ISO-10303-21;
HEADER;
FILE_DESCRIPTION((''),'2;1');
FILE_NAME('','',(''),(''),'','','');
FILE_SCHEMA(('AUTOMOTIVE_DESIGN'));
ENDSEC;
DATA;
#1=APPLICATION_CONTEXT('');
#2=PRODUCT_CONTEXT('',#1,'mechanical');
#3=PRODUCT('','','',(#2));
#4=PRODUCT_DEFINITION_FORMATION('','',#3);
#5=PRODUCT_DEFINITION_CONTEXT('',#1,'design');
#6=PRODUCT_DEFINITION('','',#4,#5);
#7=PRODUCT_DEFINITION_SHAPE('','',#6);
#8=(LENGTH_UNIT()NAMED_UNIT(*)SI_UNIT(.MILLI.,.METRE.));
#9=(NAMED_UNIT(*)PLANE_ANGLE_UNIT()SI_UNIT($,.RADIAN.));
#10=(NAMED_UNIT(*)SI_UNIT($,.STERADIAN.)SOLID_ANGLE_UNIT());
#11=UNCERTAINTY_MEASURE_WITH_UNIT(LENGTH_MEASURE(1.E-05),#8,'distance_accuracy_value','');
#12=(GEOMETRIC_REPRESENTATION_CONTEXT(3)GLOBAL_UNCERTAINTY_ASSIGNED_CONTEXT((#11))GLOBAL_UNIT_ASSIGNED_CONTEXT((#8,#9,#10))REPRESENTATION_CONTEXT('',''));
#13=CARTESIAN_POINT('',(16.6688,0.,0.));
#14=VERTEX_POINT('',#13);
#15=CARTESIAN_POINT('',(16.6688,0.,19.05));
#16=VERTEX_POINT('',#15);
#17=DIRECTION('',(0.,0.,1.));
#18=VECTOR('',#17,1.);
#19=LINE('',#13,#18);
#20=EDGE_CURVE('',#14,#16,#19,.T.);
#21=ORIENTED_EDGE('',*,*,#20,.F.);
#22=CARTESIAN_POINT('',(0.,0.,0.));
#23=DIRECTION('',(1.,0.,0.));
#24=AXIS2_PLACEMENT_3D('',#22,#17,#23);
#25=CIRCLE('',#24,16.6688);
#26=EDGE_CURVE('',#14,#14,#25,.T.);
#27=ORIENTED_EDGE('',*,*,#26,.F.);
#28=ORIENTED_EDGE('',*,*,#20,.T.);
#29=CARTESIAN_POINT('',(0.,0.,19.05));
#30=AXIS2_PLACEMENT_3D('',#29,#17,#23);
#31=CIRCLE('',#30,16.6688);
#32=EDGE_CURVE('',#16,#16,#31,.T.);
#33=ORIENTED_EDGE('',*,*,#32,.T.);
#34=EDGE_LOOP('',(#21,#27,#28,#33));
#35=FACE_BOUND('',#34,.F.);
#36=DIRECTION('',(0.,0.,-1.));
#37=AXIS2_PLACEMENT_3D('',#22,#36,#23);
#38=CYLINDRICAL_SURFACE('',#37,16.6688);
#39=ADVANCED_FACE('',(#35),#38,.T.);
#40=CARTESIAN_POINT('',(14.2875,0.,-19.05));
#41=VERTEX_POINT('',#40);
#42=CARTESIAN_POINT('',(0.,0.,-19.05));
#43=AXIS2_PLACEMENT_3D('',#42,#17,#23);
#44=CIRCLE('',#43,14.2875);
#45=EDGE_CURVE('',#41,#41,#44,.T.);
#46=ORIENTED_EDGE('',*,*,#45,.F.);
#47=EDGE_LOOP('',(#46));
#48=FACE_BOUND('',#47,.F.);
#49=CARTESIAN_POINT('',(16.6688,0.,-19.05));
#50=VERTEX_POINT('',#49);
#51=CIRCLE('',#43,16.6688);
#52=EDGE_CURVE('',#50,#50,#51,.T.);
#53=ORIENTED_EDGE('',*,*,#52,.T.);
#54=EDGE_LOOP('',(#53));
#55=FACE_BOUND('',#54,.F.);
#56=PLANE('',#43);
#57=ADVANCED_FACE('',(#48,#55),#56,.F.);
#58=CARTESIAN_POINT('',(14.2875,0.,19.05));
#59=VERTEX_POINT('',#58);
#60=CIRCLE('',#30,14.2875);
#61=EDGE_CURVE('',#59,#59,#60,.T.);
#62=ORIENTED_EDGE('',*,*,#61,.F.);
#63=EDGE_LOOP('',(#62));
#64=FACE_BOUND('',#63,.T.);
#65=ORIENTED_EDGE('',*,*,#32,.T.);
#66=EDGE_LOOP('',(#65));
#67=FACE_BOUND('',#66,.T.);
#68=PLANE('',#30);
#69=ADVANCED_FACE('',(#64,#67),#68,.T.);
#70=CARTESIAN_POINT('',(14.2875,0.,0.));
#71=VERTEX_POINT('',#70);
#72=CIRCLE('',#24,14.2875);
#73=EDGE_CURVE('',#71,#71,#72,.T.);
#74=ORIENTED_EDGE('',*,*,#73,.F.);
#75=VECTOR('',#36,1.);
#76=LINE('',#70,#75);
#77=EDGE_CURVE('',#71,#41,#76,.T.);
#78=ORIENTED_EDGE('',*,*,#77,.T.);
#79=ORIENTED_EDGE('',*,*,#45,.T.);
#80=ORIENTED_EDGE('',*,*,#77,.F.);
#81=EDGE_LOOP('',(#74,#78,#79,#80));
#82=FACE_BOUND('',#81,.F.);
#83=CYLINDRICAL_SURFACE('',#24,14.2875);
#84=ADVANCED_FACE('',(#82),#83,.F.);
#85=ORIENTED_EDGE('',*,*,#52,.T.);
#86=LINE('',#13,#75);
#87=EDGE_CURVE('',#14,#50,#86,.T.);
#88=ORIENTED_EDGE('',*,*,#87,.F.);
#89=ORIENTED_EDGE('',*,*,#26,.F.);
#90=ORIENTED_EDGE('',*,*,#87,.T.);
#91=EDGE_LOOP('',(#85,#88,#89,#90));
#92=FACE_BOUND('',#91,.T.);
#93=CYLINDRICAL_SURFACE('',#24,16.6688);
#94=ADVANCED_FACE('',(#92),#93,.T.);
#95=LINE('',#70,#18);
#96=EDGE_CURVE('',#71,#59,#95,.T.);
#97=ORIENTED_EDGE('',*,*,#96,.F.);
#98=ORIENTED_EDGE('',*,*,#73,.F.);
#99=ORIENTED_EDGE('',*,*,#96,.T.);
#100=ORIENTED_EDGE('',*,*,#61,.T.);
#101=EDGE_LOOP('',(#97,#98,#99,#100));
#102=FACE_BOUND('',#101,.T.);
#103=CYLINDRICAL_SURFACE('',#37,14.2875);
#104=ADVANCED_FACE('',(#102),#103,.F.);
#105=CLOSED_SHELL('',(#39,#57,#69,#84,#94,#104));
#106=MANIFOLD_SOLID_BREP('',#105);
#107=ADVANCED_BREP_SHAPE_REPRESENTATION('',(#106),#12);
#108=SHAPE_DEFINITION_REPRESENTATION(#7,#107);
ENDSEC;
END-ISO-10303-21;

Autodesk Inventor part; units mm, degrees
ref_plane "YZ Plane" through (0, 0, 0) normal (1, 0, 0) x (0, 1, 0)
ref_plane "XZ Plane" through (0, 0, 0) normal (0, 1, 0) x (-1, 0, 0)
ref_plane "XY Plane" through (0, 0, 0) normal (0, 0, 1) x (1, 0, 0)
sketch "Sketch1" plane through (0, 0, 0) normal (0, 0, 1) x (1, 0, 0)
  circle A0 centre (0, 0) radius 16.6688
  circle A1 centre (0, 0) radius 14.2875
  dimension "d0" = 33.3375
  dimension "d1" = 28.575
extrude "Extrusion1" add sketch "Sketch1" along normal mid plane 38.1
properties part number "WheelTread" material "Polypropylene"
